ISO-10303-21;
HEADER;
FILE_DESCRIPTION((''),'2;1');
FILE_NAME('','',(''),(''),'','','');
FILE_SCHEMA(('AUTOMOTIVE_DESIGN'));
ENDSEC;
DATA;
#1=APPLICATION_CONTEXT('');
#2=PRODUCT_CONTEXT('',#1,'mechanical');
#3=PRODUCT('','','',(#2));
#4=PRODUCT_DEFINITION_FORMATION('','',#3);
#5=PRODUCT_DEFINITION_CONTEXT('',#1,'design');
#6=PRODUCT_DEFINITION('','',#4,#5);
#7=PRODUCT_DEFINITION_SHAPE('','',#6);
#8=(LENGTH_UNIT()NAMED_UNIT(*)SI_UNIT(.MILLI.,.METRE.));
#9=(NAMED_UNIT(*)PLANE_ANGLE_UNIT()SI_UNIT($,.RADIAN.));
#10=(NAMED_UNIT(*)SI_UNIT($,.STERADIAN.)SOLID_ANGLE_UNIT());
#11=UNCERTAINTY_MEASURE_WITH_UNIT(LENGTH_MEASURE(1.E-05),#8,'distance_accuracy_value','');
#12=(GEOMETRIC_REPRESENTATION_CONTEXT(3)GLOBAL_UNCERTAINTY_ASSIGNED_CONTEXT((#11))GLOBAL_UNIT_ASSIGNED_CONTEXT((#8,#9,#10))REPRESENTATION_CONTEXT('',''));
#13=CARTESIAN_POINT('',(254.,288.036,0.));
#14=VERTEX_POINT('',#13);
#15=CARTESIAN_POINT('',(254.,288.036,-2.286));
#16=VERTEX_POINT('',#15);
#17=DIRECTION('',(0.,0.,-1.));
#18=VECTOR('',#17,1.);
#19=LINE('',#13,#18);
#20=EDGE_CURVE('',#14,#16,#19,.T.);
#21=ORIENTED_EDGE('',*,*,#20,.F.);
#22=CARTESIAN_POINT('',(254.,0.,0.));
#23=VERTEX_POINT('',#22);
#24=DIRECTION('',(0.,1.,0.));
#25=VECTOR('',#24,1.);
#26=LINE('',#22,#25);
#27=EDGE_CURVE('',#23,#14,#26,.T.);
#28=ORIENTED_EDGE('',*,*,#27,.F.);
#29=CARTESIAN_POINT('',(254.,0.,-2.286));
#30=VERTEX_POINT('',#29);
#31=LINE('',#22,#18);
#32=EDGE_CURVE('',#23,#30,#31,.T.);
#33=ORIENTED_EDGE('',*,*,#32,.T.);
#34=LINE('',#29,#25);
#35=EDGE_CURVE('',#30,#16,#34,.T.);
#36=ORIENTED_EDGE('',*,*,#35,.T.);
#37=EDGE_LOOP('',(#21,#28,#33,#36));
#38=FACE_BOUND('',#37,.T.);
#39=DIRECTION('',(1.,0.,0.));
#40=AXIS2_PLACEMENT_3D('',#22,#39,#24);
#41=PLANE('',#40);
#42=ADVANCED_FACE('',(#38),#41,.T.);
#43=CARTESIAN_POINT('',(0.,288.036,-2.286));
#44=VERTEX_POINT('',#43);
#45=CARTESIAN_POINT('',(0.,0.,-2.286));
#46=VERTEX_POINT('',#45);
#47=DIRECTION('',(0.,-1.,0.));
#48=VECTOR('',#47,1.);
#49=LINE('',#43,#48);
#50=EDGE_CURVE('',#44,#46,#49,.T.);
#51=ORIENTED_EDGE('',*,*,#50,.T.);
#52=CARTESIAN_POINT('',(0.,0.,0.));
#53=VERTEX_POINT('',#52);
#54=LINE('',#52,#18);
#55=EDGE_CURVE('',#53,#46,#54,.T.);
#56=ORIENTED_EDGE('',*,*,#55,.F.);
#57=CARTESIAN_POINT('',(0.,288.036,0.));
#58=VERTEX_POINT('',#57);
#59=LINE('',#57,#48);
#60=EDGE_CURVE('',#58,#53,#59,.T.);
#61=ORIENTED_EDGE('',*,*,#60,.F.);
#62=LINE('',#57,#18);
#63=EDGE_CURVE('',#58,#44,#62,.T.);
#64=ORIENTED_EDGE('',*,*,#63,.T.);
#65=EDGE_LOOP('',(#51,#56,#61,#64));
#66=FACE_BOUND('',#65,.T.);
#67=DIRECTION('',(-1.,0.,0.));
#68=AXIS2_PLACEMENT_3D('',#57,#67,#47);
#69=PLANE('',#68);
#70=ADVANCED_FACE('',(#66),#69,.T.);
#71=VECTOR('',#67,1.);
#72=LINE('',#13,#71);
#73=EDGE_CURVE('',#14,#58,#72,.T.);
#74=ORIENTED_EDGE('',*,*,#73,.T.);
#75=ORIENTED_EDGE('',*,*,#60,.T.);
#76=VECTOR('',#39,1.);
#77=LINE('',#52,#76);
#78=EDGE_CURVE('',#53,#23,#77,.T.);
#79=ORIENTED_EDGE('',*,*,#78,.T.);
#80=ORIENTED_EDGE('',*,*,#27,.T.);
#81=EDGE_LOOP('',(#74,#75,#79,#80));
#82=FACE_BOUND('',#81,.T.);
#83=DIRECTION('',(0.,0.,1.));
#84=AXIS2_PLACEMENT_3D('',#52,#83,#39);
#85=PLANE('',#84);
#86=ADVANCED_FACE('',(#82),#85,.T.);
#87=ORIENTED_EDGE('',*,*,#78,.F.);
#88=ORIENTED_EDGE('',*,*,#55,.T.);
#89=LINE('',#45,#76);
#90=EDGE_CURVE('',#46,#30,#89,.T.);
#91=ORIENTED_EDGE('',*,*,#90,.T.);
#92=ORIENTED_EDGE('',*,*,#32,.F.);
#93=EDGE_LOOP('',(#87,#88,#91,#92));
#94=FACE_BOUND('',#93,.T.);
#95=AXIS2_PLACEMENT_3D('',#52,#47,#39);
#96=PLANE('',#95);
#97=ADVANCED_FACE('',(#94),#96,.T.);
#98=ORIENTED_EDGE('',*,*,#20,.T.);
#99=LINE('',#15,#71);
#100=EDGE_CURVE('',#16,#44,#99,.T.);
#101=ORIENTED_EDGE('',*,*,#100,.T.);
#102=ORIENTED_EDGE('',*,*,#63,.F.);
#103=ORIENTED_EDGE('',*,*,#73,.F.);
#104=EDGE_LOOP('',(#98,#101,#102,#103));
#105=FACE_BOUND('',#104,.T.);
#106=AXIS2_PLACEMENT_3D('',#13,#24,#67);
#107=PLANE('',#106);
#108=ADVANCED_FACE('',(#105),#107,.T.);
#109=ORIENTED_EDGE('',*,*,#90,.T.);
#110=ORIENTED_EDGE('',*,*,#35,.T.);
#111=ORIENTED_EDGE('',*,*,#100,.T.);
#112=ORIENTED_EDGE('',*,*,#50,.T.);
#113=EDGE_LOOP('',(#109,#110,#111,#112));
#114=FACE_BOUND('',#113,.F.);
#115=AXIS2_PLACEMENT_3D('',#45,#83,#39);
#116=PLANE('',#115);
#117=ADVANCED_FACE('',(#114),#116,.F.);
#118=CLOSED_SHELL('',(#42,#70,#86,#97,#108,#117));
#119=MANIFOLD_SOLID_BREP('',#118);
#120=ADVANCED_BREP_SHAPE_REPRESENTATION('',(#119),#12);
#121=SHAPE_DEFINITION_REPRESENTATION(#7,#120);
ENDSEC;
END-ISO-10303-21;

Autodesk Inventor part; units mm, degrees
ref_plane "YZ Plane" through (0, 0, 0) normal (1, 0, 0) x (0, 1, 0)
ref_plane "XZ Plane" through (0, 0, 0) normal (0, 1, 0) x (-1, 0, 0)
ref_plane "XY Plane" through (0, 0, 0) normal (0, 0, 1) x (1, 0, 0)
sketch "Sketch1" plane through (0, 0, 0) normal (0, 0, 1) x (1, 0, 0)
  line L0 (0, 0) -> (254, 0)
  line L1 (254, 0) -> (254, 288.036)
  line L2 (254, 288.036) -> (0, 288.036)
  line L3 (0, 288.036) -> (0, 0)
  dimension "d0" = 254
  dimension "d1" = 288.036
extrude "Extrusion1" add sketch "Sketch1" against normal blind 2.286
properties part number "Back Sheet"
